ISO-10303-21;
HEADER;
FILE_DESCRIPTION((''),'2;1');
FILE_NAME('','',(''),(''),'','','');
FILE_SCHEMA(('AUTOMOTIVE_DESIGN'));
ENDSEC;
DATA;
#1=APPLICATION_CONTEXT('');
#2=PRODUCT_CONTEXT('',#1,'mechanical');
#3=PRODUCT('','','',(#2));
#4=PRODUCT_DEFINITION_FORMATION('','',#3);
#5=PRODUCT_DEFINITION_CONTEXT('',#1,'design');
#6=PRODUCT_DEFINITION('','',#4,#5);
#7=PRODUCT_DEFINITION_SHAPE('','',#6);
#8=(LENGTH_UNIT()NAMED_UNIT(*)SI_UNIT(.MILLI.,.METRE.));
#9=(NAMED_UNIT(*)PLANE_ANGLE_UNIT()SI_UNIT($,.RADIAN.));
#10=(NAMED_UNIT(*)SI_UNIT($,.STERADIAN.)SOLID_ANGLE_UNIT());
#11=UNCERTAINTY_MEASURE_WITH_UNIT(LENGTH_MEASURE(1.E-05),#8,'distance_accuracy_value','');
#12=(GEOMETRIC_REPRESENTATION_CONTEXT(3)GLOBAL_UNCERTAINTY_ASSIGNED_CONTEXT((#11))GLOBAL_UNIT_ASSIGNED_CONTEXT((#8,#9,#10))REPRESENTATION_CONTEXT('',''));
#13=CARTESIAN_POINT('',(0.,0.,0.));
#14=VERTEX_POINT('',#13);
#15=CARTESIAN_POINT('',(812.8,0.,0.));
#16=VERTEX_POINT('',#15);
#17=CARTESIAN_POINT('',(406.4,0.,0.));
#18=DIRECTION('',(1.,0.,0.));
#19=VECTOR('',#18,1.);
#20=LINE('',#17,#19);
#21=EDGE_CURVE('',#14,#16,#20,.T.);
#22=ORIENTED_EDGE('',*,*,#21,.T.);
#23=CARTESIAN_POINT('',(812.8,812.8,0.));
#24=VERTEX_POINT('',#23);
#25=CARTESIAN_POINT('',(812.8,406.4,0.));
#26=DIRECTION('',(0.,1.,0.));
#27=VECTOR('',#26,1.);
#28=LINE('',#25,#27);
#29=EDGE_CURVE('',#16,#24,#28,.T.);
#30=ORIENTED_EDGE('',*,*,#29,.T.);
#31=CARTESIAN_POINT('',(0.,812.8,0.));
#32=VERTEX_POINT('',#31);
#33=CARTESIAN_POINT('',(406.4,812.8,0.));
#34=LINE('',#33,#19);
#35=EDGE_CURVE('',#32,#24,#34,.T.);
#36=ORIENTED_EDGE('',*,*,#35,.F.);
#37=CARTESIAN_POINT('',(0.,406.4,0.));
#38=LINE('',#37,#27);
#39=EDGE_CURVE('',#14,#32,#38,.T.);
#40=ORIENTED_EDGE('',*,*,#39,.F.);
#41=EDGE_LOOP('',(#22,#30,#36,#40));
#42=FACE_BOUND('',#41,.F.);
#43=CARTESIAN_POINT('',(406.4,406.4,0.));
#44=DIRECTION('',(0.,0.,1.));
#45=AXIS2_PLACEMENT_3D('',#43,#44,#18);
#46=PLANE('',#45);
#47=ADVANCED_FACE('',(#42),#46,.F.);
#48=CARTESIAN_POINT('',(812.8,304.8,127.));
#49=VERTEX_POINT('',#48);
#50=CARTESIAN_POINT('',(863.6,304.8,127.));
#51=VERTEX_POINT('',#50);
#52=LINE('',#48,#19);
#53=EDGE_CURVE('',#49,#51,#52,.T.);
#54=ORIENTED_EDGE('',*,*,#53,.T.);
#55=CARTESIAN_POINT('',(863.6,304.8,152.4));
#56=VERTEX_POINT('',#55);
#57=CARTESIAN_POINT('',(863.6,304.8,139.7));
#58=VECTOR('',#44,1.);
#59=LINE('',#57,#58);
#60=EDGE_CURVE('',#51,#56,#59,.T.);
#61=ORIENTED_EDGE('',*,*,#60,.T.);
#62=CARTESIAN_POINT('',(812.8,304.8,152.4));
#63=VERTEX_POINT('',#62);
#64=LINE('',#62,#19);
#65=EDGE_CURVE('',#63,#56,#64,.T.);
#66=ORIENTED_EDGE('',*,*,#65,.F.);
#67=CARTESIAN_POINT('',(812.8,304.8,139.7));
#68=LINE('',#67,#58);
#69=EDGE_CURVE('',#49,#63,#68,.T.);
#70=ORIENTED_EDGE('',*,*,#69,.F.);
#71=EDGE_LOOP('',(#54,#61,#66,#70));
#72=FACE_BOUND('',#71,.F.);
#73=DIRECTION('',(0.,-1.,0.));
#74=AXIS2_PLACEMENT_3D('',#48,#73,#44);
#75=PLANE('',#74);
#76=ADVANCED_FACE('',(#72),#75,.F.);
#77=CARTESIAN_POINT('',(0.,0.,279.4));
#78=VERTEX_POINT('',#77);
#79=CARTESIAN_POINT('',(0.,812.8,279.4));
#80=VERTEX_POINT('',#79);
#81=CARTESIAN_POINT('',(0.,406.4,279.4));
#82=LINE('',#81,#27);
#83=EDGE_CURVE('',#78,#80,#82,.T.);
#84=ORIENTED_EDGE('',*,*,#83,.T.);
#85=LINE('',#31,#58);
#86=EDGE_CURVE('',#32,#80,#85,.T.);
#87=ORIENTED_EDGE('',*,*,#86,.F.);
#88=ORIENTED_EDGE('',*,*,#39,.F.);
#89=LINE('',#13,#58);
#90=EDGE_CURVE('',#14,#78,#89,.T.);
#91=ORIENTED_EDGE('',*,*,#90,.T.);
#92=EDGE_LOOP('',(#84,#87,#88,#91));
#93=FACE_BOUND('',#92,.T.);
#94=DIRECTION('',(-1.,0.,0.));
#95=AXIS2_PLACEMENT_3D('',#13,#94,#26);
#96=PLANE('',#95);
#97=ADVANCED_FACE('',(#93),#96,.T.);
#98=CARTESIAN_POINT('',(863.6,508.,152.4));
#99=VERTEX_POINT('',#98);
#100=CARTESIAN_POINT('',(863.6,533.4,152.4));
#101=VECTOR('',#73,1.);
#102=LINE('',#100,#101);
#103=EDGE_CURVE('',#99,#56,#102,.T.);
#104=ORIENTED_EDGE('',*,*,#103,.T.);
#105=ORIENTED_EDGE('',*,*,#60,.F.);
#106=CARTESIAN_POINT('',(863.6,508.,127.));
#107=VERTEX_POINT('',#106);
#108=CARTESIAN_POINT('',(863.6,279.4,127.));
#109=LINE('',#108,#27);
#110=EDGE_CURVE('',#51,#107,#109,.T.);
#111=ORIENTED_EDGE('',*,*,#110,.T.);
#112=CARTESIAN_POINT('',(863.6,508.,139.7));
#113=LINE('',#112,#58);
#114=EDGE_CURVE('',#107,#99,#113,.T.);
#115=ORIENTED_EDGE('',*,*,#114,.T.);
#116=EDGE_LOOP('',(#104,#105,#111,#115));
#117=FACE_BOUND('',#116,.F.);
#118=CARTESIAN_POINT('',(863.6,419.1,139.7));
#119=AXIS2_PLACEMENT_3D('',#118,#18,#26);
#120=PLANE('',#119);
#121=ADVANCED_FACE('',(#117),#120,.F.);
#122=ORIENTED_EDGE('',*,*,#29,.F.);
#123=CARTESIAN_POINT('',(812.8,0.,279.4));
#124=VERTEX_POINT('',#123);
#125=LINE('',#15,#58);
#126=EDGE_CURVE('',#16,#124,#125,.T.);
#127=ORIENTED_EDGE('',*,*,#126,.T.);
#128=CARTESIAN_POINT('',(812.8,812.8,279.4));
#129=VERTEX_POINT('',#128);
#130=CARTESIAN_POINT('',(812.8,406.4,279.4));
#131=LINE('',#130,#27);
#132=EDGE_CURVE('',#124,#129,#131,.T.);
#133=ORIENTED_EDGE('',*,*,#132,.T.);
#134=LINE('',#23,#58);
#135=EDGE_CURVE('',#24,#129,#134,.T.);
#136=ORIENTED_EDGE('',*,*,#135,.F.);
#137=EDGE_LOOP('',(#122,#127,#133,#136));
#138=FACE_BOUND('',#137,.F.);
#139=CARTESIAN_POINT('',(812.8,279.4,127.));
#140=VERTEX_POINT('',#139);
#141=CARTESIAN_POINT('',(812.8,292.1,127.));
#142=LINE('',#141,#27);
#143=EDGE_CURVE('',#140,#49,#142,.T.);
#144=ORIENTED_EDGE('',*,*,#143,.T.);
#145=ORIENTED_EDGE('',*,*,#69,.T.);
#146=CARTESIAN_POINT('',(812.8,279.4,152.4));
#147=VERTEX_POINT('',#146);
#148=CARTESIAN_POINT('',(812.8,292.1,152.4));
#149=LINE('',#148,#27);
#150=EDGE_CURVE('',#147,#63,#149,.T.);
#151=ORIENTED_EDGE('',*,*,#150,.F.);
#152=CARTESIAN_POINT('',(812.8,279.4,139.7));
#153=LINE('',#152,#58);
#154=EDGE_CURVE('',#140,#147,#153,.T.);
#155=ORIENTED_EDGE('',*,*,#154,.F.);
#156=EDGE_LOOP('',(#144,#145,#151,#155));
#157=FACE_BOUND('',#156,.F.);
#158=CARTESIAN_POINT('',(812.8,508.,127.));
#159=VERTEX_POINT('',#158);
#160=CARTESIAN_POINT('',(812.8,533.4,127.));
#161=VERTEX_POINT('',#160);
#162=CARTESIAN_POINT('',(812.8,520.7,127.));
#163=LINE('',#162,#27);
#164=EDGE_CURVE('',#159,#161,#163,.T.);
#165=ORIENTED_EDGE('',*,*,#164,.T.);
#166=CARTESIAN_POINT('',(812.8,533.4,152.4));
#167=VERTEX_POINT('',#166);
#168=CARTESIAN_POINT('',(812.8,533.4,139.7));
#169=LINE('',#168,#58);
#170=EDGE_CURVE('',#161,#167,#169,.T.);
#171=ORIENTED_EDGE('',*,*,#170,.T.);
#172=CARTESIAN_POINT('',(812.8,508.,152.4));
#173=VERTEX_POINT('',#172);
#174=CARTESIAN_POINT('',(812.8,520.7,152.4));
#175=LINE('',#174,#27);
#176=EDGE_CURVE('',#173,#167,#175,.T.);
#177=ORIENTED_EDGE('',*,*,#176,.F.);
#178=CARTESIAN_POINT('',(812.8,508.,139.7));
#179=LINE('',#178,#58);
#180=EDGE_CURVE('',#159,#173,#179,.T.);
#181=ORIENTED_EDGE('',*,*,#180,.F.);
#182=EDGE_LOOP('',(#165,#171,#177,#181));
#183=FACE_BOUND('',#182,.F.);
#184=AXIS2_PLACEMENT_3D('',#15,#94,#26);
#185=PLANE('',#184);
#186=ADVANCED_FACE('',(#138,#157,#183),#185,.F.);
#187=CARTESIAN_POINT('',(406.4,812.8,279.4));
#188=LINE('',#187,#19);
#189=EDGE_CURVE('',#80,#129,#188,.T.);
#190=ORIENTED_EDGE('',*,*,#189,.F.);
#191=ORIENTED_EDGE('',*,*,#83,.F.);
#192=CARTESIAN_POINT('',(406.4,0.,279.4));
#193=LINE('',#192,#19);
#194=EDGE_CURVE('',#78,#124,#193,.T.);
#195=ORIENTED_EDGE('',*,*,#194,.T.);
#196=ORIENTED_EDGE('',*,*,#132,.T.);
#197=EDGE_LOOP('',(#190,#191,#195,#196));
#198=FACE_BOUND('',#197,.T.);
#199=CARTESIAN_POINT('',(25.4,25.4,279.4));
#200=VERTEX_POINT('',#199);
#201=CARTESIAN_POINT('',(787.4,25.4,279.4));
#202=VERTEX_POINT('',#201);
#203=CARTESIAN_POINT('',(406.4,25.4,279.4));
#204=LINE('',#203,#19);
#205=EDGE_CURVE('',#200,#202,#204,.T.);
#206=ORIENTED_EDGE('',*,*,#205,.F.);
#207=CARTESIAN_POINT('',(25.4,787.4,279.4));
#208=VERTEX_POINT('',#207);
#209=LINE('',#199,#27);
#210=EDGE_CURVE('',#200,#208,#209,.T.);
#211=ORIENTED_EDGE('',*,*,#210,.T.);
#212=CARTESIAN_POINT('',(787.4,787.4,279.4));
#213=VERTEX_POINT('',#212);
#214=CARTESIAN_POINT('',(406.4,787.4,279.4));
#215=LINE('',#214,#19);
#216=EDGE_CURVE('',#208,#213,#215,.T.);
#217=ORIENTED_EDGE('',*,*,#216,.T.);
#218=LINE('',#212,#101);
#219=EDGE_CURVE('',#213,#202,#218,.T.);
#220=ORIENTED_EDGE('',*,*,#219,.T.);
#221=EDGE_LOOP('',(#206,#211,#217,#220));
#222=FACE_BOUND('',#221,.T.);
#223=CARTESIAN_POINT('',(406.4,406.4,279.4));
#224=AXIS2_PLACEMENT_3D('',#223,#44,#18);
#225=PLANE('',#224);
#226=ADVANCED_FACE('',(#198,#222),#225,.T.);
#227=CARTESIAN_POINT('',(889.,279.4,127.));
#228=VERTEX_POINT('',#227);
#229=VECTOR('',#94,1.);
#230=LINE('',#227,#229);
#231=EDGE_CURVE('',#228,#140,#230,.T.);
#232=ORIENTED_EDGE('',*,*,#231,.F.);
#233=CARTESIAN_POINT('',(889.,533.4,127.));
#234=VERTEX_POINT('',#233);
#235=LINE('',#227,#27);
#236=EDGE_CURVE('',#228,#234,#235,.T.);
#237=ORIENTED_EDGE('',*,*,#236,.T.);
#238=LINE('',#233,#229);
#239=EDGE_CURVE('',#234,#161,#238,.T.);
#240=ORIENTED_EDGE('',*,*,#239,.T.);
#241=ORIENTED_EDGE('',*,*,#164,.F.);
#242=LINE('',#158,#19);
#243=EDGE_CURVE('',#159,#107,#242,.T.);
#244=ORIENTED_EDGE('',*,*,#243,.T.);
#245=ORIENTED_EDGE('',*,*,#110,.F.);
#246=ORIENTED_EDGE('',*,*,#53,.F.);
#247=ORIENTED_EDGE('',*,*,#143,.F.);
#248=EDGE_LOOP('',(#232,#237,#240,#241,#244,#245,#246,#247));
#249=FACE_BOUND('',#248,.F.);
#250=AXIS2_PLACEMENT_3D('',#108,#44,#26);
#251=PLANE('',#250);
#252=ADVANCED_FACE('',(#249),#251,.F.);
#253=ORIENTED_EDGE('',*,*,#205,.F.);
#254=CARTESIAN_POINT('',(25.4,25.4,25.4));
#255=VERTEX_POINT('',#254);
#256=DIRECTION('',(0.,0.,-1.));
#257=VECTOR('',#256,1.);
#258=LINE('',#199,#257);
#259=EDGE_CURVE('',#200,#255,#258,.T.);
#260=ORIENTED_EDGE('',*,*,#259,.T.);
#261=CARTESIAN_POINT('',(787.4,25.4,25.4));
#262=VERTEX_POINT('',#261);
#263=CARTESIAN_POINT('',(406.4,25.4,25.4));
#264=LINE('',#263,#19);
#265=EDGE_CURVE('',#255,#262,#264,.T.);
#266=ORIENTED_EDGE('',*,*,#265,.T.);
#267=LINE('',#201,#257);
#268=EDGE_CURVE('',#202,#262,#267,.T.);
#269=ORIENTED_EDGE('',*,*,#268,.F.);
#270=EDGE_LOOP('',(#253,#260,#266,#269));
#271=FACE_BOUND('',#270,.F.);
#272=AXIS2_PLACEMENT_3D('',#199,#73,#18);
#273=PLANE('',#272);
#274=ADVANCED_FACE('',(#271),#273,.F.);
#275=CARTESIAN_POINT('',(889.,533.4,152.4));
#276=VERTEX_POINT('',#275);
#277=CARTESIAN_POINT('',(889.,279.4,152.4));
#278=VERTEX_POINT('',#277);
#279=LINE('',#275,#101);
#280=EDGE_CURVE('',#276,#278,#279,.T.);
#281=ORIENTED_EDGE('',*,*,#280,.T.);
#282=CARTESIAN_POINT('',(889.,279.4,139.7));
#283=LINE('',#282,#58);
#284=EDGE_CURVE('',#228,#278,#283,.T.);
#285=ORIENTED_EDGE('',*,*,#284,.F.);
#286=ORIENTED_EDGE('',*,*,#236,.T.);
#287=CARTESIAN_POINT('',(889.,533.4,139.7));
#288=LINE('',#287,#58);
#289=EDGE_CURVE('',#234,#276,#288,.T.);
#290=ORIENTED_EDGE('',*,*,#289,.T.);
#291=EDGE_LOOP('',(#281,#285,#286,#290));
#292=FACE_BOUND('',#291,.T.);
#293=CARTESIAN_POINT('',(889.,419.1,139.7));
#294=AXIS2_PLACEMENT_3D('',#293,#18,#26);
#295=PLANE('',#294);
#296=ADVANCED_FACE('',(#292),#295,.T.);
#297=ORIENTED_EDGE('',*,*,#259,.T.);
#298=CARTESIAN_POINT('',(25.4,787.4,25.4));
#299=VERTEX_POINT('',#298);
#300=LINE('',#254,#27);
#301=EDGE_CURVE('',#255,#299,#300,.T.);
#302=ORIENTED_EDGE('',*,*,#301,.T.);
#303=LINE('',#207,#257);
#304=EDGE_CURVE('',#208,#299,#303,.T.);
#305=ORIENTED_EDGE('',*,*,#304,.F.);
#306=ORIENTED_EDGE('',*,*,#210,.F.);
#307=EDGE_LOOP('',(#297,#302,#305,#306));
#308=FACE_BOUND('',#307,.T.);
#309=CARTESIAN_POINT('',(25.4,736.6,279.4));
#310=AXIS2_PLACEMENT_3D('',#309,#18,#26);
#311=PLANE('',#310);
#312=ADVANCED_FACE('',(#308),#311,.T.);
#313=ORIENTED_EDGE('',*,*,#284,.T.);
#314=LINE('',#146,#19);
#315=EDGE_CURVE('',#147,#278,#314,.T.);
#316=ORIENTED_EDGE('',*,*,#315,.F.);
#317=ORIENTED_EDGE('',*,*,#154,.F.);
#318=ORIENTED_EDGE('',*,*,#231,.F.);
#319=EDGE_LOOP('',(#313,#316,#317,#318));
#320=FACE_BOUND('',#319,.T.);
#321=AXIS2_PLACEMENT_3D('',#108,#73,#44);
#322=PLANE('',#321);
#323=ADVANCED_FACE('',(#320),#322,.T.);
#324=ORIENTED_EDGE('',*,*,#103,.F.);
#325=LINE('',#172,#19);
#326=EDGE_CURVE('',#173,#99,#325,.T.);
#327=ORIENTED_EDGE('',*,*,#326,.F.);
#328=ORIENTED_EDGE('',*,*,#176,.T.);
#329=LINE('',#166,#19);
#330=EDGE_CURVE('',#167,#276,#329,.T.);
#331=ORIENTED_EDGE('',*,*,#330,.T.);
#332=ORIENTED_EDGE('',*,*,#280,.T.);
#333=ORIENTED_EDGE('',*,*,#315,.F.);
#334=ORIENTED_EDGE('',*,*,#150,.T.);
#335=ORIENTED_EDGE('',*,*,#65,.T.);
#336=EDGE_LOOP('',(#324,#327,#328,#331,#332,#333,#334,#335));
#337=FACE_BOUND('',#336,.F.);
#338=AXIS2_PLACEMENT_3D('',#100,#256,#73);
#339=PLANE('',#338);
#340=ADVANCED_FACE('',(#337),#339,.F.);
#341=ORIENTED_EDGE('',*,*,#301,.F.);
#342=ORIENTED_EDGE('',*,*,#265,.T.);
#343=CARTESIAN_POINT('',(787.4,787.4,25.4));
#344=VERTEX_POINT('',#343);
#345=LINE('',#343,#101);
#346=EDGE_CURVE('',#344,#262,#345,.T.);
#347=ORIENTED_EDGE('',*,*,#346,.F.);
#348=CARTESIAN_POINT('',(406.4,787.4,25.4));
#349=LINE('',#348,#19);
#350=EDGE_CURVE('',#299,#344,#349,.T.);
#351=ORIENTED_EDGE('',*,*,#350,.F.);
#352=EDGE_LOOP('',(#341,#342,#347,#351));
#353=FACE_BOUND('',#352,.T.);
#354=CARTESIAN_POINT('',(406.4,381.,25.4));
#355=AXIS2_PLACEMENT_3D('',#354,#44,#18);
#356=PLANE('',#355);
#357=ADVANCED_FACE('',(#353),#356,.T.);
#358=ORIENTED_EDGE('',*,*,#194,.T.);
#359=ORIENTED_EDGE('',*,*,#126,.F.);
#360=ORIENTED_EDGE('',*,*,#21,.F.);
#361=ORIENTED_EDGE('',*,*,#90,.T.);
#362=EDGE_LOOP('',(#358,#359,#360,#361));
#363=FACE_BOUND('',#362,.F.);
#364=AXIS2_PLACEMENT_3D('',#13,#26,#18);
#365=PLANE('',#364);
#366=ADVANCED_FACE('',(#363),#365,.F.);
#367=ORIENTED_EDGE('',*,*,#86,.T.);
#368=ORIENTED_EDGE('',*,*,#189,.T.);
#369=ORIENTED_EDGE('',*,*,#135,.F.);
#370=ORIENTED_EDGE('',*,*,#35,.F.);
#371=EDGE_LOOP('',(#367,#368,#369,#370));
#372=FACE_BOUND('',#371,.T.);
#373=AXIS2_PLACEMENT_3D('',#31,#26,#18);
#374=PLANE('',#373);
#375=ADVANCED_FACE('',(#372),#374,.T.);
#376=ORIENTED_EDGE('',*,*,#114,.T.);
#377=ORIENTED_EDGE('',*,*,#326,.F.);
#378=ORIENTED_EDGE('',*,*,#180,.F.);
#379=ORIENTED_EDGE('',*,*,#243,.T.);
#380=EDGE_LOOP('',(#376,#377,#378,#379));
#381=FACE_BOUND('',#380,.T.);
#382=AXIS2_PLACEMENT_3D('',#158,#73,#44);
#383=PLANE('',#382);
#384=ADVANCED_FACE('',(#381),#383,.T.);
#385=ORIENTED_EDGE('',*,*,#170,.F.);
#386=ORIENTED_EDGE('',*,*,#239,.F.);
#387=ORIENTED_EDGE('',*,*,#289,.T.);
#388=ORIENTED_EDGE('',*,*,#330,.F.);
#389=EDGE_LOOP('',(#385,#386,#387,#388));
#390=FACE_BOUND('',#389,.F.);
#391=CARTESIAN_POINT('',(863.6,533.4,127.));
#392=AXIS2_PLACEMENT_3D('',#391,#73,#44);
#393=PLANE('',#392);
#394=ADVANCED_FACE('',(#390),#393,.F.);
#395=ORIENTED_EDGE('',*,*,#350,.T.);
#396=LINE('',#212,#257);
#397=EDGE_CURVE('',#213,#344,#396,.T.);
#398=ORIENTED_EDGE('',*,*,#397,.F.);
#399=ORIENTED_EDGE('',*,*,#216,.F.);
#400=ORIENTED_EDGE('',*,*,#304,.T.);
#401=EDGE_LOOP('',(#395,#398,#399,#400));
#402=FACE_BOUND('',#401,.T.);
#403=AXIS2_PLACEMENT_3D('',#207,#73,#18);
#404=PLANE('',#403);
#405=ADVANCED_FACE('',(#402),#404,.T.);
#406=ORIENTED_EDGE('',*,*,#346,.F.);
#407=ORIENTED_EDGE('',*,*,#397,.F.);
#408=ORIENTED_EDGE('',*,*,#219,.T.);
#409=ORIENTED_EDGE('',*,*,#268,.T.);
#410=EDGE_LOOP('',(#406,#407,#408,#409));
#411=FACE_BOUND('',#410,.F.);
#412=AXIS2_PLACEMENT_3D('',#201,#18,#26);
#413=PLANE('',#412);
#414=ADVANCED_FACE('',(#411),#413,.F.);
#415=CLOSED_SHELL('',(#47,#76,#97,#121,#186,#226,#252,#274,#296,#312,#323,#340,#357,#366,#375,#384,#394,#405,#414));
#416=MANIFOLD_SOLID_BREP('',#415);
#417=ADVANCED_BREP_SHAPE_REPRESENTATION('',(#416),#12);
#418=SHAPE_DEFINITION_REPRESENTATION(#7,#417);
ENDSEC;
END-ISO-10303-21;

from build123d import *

# Parameters (mm, degrees)
F0_W     = 812.8
F0_H     = 812.8
F1_DEPTH = 279.4
F2_W     = 762
F2_H     = 711.2
F3_DEPTH = 254
F4_W     = 25.4
F4_H     = 25.4
F5_DEPTH = 50.8
F6_W     = 228.6
F6_H     = 25.4
F6_W_2   = 25.4
F7_DEPTH = 25.4
F8_W     = 762
F8_H     = 50.8
F9_DEPTH = 254


with BuildPart() as f1:
    # F0 (on Top) → F1 (new body)
    with BuildSketch(Plane.XY):
        with Locations((406.4, 406.4)):
            Rectangle(F0_W, F0_H)
    extrude(amount=F1_DEPTH)

    # F2 (on face) → F3 (cut)
    with BuildSketch(Plane.XY.offset(279.4)):
        with Locations((406.4, 381)):
            Rectangle(F2_W, F2_H)
    extrude(amount=-F3_DEPTH, mode=Mode.SUBTRACT)

    # F4 (on face) → F5 (join)
    with BuildSketch(Plane.YZ.offset(812.8)):
        with Locations((292.1, 139.7)):
            Rectangle(F4_W, F4_H)
        with Locations((520.7, 139.7)):
            Rectangle(F4_W, F4_H)
    extrude(amount=F5_DEPTH)

    # F6 (on face) → F7 (join)
    with BuildSketch(Plane.YZ.offset(863.6)):
        with Locations((419.1, 139.7)):
            Rectangle(F6_W, F6_H)
        with Locations((292.1, 139.7)):
            Rectangle(F6_W_2, F6_H)
    extrude(amount=F7_DEPTH)

    # F8 (on face) → F9 (cut)
    with BuildSketch(Plane.XY.offset(279.4)):
        with Locations((406.4, 762)):
            Rectangle(F8_W, F8_H)
    extrude(amount=-F9_DEPTH, mode=Mode.SUBTRACT)


solid = f1.part
